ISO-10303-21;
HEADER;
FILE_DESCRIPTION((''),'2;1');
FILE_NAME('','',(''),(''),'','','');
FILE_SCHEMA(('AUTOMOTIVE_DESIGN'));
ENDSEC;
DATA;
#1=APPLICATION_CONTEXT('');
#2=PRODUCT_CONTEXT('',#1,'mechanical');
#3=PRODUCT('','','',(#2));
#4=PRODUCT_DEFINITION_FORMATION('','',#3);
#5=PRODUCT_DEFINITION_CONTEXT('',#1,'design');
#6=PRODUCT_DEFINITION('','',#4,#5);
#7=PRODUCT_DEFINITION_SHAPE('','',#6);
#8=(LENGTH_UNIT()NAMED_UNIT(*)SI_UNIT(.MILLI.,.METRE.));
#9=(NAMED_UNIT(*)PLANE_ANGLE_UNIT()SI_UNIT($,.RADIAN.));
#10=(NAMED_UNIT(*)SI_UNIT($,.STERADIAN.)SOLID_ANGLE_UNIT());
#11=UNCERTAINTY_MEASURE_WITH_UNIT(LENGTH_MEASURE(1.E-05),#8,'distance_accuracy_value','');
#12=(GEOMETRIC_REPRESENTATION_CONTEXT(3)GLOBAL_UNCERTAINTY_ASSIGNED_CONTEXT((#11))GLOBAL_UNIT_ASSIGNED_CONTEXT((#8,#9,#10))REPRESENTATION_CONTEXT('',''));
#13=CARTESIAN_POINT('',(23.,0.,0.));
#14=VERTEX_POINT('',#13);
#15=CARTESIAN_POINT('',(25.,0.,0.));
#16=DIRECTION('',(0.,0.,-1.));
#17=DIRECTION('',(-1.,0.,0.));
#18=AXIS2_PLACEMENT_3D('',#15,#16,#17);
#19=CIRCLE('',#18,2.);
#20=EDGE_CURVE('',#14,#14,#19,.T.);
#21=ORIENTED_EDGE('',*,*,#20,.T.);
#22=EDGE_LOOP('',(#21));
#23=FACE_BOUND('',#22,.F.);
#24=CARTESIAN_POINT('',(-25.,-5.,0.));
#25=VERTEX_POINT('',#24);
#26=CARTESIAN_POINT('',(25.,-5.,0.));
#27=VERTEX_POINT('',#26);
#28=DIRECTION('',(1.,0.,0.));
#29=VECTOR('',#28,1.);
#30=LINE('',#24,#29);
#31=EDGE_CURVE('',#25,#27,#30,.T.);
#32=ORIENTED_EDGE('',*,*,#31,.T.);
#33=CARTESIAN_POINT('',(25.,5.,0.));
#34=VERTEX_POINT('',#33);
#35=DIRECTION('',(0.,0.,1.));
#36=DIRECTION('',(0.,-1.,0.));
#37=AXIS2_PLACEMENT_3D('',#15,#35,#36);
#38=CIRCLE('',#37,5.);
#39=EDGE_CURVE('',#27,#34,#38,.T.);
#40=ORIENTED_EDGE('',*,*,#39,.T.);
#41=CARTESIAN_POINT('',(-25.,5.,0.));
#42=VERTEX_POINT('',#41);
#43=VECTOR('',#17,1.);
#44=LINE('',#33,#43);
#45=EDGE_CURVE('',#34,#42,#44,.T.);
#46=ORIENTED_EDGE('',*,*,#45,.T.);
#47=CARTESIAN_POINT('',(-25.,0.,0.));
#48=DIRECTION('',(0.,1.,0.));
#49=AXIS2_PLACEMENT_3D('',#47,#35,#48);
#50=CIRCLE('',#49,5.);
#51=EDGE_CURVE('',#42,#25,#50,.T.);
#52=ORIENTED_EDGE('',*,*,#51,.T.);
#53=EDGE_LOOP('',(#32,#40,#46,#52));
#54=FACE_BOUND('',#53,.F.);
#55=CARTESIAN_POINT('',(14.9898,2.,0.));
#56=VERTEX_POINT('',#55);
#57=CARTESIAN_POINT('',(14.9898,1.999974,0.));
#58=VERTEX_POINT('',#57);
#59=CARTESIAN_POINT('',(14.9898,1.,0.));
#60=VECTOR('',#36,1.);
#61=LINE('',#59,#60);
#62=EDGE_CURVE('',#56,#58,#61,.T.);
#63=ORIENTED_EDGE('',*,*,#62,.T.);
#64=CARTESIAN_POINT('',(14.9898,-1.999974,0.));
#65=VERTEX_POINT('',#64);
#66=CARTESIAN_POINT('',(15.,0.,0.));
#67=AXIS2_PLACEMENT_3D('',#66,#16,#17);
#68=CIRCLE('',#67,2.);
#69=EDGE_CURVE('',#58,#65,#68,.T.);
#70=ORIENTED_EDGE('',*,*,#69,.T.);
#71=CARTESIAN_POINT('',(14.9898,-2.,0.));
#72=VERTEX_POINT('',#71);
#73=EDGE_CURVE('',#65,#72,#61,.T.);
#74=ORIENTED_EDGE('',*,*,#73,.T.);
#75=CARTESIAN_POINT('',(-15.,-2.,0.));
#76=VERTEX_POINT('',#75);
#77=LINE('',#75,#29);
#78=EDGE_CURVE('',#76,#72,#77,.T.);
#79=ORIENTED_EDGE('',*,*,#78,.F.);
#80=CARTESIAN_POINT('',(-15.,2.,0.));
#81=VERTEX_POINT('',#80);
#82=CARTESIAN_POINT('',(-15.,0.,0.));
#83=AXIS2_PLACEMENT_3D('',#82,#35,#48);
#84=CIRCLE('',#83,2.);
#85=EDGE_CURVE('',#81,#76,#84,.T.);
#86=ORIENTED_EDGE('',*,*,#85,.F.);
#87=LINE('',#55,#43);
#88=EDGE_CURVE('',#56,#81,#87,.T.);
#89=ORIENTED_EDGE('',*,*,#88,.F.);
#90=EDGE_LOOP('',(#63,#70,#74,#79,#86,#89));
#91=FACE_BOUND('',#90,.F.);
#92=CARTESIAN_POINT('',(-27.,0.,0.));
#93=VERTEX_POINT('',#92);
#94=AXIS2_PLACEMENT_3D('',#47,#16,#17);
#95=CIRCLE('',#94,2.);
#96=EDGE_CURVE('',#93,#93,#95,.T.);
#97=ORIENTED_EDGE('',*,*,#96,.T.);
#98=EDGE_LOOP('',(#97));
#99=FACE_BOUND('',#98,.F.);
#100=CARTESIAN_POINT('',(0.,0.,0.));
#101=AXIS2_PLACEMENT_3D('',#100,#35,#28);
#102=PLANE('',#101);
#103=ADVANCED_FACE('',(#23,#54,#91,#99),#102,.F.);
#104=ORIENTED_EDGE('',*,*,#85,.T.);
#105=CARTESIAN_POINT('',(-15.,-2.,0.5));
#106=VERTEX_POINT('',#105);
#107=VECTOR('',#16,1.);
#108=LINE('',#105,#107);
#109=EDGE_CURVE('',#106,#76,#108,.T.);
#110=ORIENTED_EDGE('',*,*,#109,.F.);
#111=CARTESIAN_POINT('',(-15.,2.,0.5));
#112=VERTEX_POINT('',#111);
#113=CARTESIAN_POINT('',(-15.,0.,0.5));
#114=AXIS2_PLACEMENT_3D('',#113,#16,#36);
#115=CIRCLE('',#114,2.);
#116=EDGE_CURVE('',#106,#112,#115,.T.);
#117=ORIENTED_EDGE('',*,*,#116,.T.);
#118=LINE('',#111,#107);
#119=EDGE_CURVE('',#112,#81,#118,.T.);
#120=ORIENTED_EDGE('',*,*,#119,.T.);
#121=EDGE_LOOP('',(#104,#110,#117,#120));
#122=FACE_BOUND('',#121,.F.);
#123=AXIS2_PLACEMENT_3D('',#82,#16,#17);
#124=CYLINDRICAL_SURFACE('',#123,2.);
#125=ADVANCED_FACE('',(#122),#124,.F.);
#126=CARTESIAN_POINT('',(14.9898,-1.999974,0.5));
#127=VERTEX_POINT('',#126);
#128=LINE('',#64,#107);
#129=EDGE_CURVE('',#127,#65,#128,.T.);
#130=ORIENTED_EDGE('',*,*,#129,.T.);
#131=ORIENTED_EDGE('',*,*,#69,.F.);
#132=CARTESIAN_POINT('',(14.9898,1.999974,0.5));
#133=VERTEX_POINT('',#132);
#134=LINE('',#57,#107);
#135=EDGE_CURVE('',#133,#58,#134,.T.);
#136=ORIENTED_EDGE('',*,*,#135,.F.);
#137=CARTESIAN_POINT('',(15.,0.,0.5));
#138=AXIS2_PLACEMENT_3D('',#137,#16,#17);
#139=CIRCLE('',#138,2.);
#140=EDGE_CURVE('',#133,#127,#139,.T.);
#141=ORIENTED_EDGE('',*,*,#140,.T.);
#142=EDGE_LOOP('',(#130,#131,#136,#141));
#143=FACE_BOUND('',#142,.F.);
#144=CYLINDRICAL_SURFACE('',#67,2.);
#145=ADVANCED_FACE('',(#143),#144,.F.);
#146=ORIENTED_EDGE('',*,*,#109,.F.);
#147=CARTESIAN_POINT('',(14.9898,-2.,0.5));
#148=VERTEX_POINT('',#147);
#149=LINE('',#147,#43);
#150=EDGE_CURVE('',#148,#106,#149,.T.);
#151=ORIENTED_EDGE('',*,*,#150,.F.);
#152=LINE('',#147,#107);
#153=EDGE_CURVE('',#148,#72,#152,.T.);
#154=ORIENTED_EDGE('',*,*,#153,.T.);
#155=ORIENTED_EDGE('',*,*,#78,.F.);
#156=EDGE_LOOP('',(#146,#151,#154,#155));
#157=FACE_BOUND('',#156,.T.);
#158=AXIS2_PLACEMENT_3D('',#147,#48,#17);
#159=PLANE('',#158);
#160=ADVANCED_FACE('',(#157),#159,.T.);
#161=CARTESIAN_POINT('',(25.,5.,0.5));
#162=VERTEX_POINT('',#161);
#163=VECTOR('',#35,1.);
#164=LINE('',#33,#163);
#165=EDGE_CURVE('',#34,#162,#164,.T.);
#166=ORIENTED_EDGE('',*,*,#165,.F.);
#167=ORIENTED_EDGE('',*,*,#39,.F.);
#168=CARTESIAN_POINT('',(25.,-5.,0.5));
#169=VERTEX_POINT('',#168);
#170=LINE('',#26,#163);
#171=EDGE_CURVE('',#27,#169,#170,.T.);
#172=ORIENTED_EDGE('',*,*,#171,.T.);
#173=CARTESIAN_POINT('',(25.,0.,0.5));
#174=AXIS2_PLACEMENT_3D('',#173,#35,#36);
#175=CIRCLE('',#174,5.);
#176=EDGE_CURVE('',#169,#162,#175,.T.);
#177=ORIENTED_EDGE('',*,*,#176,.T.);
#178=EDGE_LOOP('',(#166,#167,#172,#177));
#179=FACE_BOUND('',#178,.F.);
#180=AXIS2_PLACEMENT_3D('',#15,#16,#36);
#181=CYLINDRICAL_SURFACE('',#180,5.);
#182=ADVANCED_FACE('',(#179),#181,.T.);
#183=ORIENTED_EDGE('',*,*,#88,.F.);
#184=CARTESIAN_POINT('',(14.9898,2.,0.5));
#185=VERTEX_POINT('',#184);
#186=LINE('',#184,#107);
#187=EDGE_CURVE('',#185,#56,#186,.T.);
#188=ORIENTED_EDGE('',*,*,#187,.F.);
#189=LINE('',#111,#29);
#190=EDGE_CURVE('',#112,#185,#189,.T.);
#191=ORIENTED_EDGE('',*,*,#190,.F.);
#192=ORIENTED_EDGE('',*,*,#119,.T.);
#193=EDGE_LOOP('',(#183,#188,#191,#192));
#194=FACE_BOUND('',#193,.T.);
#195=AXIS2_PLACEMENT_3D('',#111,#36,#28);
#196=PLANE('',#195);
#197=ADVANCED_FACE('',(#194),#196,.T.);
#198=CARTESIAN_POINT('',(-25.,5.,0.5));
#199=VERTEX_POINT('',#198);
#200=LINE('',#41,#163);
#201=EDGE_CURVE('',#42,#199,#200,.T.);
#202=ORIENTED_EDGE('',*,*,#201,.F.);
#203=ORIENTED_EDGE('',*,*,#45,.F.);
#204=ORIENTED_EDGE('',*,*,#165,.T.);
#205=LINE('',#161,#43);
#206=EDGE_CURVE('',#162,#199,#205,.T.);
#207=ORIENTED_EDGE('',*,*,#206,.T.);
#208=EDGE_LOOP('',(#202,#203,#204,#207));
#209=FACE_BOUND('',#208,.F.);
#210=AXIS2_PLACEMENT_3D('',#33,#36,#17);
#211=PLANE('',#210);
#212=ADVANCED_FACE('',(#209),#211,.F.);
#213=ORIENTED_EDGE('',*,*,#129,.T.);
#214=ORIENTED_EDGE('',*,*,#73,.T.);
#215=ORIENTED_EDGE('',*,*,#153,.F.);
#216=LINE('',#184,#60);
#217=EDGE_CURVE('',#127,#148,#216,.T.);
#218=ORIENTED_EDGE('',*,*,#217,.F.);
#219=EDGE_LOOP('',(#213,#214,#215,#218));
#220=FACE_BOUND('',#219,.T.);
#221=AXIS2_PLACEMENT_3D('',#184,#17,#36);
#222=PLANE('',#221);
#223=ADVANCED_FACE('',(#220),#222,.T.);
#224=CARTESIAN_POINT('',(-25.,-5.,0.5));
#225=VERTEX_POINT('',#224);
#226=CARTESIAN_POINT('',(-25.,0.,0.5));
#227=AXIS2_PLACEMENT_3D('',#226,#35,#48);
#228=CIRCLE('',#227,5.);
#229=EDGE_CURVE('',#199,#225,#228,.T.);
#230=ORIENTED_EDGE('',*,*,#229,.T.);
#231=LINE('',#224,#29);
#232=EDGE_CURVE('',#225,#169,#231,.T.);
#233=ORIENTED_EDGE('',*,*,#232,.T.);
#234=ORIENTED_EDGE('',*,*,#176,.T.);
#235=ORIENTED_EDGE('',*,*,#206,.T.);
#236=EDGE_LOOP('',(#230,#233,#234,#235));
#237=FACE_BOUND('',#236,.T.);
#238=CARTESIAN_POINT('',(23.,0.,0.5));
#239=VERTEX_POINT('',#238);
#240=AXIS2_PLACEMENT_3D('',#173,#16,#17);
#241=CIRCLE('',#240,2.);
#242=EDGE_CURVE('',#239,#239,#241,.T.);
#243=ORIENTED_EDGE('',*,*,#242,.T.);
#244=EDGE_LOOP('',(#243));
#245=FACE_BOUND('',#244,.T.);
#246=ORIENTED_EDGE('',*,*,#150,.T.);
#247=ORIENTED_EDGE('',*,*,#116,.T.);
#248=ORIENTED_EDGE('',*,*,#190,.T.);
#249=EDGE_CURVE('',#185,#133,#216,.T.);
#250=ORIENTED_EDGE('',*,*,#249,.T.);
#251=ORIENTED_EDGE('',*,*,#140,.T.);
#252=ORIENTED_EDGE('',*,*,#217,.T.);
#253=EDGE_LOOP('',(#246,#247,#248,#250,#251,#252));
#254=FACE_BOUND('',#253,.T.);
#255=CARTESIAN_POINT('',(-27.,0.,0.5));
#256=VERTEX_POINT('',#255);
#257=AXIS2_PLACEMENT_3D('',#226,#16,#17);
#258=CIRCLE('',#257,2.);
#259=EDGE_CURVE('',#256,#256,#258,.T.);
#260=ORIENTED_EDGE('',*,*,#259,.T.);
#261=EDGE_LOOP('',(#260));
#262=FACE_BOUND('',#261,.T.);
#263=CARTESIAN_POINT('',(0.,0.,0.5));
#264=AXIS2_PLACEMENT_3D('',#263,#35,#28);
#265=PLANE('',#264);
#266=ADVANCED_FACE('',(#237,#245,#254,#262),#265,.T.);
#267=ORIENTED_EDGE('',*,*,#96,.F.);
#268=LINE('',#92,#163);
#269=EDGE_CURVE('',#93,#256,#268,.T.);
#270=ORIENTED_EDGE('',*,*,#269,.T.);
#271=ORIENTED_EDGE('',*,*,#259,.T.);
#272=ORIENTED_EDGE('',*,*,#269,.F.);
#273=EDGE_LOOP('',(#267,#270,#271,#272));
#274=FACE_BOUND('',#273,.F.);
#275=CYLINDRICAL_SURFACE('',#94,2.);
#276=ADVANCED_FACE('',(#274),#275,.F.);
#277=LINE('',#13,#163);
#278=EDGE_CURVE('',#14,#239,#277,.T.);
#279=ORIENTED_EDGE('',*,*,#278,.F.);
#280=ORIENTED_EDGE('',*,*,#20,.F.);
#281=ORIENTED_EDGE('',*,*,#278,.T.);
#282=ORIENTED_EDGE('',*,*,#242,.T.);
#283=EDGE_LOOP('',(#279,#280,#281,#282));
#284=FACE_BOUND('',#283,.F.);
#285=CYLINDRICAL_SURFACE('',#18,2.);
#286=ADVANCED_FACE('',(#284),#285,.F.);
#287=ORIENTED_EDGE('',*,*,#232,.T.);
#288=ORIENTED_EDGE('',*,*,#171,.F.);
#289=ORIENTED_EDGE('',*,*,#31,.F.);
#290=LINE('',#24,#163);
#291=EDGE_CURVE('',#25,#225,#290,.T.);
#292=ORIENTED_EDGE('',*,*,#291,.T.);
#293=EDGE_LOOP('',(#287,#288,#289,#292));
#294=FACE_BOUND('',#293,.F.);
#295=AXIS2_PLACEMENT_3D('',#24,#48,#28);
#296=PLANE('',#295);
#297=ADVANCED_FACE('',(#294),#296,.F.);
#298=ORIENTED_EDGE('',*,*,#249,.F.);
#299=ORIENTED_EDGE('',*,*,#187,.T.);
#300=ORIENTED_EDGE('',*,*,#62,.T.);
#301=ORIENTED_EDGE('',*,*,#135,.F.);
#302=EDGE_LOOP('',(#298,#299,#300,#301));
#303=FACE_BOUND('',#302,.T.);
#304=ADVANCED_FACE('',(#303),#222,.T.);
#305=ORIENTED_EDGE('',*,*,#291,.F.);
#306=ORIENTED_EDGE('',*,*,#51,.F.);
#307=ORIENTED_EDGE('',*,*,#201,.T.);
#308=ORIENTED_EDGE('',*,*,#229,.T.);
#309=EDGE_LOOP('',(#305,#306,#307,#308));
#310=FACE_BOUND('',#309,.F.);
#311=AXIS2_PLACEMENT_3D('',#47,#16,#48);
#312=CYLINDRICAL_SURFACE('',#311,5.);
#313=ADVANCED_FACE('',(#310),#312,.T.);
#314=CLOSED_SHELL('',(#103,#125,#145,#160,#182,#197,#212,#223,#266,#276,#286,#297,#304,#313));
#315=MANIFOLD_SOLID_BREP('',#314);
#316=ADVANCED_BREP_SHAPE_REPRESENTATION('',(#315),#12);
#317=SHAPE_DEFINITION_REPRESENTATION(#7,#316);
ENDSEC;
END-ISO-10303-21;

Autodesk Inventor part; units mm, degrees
ref_plane "YZ Plane" through (0, 0, 0) normal (1, 0, 0) x (0, 1, 0)
ref_plane "XZ Plane" through (0, 0, 0) normal (0, 1, 0) x (-1, 0, 0)
ref_plane "XY Plane" through (0, 0, 0) normal (0, 0, 1) x (1, 0, 0)
sketch "Náčrt1" plane through (0, 0, 0) normal (0, 0, 1) x (1, 0, 0)
  line L0 (-25, 0) -> (25, 0) construction
  line L1 (-25, -5) -> (25, -5)
  line L2 (25, 5) -> (-25, 5)
  arc A0 (-25, 5) -> (-25, -5) centre (-25, 0) ccw
  arc A1 (25, -5) -> (25, 5) centre (25, 0) ccw
  point P0 (0, 0)
  point P1 (30, 0)
  dimension "d0" = 30
  dimension "d1" = 5
extrude "Vysunutí1" add sketch "Náčrt1" along normal blind 0.5
sketch "Náčrt2" plane through (0, 0, 0) normal (0, 0, -1) x (-1, 0, 0)
  arc A0 (25, -5) -> (25, 5) centre (25, 0) ccw projected
  circle A1 centre (25, 0) radius 2
  point P0 (0, 0)
  dimension "d4" = 4
extrude "Vysunutí2" cut sketch "Náčrt2" against normal through all
pattern_linear "Obdélníkové pole1" count 7 spacing 10 along (1, 0, 0) of "Vysunutí2"
sketch "Náčrt3" plane through (0, 0, 0.5) normal (0, 0, 1) x (1, 0, 0)
  circle A0 centre (-15, 0) radius 2 projected
  line L0 (-15, 2) -> (14.9898, 2)
  line L1 (14.9898, 2) -> (14.9898, -2)
  line L2 (14.9898, -2) -> (-15, -2)
  point P0 (0, 0)
extrude "Vysunutí3" cut sketch "Náčrt3" against normal blind 10 contours A0 L0 L1 L2
properties part number "2006"
